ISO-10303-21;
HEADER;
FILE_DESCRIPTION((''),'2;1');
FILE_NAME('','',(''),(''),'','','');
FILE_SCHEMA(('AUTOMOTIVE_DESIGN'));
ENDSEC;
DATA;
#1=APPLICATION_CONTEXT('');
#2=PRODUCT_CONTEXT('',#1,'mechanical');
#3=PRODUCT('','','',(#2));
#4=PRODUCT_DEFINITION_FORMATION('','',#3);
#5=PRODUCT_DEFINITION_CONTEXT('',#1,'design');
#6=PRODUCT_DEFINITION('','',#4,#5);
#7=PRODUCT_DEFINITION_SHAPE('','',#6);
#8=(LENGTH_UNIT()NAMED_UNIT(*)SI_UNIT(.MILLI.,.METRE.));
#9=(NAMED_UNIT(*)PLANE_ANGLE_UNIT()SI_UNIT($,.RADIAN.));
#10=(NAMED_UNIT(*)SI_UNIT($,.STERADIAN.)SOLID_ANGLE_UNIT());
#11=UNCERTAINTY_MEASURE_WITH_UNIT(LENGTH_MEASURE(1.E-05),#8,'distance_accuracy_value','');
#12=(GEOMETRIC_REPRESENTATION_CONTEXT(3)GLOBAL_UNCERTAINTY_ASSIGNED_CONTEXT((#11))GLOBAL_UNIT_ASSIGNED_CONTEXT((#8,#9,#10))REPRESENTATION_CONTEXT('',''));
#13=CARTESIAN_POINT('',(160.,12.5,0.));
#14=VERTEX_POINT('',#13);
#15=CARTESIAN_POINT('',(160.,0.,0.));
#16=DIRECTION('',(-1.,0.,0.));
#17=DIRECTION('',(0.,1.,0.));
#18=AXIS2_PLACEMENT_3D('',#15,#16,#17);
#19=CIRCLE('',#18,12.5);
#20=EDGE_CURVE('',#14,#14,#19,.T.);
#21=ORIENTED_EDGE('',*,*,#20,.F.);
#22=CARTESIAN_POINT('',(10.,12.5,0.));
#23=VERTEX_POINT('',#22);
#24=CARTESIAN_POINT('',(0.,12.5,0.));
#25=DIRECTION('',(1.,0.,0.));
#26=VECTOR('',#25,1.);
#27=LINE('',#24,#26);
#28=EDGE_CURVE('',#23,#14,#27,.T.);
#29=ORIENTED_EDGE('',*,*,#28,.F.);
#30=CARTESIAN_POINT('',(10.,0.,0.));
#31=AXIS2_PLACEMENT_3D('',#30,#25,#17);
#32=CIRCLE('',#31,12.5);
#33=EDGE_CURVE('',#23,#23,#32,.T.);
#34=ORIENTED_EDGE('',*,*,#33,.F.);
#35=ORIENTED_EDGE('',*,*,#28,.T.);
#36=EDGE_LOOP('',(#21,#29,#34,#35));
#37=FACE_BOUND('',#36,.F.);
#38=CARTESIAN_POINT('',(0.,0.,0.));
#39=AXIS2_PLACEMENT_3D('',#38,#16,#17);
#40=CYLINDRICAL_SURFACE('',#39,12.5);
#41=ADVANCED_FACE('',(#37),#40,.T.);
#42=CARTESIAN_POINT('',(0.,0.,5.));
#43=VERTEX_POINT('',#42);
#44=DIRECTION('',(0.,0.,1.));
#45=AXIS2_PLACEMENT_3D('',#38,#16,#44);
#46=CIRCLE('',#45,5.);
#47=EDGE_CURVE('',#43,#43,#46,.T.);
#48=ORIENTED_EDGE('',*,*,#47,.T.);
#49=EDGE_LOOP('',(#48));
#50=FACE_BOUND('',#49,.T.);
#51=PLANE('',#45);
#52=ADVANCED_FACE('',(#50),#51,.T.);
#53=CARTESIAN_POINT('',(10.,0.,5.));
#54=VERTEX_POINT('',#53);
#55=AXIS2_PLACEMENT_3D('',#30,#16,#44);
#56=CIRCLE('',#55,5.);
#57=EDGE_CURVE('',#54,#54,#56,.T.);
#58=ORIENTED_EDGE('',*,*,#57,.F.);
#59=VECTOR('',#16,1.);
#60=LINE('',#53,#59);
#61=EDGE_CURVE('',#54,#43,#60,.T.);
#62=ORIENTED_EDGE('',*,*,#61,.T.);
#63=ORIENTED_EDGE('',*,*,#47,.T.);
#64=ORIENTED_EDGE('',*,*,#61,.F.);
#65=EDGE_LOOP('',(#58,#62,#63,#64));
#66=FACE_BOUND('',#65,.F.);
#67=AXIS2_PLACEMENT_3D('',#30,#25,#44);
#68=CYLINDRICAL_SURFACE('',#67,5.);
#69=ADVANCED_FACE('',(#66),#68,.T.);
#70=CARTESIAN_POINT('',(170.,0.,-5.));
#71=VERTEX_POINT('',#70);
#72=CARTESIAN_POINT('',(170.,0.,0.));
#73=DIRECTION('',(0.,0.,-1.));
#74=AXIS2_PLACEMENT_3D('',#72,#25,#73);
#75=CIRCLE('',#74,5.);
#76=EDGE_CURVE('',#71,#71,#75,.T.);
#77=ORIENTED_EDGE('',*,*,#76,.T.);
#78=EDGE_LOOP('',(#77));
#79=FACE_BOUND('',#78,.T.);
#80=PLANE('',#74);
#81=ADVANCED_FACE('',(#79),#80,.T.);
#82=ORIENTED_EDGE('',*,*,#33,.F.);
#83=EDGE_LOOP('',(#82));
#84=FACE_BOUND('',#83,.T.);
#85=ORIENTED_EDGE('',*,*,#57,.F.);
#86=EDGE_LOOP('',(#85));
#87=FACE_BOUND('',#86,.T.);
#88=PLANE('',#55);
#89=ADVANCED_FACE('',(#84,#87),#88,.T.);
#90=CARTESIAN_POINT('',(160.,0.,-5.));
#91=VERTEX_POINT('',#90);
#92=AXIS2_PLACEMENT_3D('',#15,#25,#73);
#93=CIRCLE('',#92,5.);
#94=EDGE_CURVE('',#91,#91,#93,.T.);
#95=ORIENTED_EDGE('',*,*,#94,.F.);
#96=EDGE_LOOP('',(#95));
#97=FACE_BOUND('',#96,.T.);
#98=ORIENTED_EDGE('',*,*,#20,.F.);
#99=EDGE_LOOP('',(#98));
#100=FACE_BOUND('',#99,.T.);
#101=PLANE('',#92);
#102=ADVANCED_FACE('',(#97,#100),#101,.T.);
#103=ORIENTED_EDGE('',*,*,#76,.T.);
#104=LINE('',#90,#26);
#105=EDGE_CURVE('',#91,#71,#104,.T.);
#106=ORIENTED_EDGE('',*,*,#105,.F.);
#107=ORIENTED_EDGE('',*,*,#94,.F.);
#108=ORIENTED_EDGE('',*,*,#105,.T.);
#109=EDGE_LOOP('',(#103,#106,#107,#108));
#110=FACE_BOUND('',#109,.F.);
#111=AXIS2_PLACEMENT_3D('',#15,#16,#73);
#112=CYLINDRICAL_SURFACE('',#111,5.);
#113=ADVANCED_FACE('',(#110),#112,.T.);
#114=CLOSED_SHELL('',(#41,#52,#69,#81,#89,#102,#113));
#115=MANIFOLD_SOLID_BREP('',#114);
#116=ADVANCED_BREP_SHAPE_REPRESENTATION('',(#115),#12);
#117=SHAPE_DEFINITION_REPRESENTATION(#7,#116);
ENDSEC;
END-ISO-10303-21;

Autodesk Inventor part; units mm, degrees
ref_plane "YZ Plane" through (0, 0, 0) normal (1, 0, 0) x (0, 1, 0)
ref_plane "XZ Plane" through (0, 0, 0) normal (0, 1, 0) x (-1, 0, 0)
ref_plane "XY Plane" through (0, 0, 0) normal (0, 0, 1) x (1, 0, 0)
sketch "Sketch1" plane through (0, 0, 0) normal (1, 0, 0) x (0, 1, 0)
  circle A0 centre (0, 0) radius 12.5
  dimension "d0" = 25
extrude "Extrusion1" add sketch "Sketch1" along normal blind 170
sketch "Sketch2" plane through (170, 0, 0) normal (1, 0, 0) x (0, 0, -1)
  circle A0 centre (0, 0) radius 12.5
  dimension "d3" = 25
extrude "Extrusion2" cut sketch "Sketch2" against normal blind 10
sketch "Sketch3" plane through (160, 0, 0) normal (1, 0, 0) x (0, 0, -1)
  circle A0 centre (0, 0) radius 5
  dimension "d6" = 10
extrude "Extrusion3" add sketch "Sketch3" along normal blind 10
sketch "Sketch4" plane through (0, 0, 0) normal (-1, 0, 0) x (0, 0, 1)
  circle A0 centre (0, 0) radius 12.5
  dimension "d9" = 25
extrude "Extrusion4" cut sketch "Sketch4" against normal blind 10
sketch "Sketch5" plane through (10, 0, 0) normal (-1, 0, 0) x (0, 0, 1)
  circle A0 centre (0, 0) radius 5 projected
  circle A1 centre (0, 0) radius 5
extrude "Extrusion5" add sketch "Sketch5" along normal blind 10
properties part number "laser" material "Glass"
